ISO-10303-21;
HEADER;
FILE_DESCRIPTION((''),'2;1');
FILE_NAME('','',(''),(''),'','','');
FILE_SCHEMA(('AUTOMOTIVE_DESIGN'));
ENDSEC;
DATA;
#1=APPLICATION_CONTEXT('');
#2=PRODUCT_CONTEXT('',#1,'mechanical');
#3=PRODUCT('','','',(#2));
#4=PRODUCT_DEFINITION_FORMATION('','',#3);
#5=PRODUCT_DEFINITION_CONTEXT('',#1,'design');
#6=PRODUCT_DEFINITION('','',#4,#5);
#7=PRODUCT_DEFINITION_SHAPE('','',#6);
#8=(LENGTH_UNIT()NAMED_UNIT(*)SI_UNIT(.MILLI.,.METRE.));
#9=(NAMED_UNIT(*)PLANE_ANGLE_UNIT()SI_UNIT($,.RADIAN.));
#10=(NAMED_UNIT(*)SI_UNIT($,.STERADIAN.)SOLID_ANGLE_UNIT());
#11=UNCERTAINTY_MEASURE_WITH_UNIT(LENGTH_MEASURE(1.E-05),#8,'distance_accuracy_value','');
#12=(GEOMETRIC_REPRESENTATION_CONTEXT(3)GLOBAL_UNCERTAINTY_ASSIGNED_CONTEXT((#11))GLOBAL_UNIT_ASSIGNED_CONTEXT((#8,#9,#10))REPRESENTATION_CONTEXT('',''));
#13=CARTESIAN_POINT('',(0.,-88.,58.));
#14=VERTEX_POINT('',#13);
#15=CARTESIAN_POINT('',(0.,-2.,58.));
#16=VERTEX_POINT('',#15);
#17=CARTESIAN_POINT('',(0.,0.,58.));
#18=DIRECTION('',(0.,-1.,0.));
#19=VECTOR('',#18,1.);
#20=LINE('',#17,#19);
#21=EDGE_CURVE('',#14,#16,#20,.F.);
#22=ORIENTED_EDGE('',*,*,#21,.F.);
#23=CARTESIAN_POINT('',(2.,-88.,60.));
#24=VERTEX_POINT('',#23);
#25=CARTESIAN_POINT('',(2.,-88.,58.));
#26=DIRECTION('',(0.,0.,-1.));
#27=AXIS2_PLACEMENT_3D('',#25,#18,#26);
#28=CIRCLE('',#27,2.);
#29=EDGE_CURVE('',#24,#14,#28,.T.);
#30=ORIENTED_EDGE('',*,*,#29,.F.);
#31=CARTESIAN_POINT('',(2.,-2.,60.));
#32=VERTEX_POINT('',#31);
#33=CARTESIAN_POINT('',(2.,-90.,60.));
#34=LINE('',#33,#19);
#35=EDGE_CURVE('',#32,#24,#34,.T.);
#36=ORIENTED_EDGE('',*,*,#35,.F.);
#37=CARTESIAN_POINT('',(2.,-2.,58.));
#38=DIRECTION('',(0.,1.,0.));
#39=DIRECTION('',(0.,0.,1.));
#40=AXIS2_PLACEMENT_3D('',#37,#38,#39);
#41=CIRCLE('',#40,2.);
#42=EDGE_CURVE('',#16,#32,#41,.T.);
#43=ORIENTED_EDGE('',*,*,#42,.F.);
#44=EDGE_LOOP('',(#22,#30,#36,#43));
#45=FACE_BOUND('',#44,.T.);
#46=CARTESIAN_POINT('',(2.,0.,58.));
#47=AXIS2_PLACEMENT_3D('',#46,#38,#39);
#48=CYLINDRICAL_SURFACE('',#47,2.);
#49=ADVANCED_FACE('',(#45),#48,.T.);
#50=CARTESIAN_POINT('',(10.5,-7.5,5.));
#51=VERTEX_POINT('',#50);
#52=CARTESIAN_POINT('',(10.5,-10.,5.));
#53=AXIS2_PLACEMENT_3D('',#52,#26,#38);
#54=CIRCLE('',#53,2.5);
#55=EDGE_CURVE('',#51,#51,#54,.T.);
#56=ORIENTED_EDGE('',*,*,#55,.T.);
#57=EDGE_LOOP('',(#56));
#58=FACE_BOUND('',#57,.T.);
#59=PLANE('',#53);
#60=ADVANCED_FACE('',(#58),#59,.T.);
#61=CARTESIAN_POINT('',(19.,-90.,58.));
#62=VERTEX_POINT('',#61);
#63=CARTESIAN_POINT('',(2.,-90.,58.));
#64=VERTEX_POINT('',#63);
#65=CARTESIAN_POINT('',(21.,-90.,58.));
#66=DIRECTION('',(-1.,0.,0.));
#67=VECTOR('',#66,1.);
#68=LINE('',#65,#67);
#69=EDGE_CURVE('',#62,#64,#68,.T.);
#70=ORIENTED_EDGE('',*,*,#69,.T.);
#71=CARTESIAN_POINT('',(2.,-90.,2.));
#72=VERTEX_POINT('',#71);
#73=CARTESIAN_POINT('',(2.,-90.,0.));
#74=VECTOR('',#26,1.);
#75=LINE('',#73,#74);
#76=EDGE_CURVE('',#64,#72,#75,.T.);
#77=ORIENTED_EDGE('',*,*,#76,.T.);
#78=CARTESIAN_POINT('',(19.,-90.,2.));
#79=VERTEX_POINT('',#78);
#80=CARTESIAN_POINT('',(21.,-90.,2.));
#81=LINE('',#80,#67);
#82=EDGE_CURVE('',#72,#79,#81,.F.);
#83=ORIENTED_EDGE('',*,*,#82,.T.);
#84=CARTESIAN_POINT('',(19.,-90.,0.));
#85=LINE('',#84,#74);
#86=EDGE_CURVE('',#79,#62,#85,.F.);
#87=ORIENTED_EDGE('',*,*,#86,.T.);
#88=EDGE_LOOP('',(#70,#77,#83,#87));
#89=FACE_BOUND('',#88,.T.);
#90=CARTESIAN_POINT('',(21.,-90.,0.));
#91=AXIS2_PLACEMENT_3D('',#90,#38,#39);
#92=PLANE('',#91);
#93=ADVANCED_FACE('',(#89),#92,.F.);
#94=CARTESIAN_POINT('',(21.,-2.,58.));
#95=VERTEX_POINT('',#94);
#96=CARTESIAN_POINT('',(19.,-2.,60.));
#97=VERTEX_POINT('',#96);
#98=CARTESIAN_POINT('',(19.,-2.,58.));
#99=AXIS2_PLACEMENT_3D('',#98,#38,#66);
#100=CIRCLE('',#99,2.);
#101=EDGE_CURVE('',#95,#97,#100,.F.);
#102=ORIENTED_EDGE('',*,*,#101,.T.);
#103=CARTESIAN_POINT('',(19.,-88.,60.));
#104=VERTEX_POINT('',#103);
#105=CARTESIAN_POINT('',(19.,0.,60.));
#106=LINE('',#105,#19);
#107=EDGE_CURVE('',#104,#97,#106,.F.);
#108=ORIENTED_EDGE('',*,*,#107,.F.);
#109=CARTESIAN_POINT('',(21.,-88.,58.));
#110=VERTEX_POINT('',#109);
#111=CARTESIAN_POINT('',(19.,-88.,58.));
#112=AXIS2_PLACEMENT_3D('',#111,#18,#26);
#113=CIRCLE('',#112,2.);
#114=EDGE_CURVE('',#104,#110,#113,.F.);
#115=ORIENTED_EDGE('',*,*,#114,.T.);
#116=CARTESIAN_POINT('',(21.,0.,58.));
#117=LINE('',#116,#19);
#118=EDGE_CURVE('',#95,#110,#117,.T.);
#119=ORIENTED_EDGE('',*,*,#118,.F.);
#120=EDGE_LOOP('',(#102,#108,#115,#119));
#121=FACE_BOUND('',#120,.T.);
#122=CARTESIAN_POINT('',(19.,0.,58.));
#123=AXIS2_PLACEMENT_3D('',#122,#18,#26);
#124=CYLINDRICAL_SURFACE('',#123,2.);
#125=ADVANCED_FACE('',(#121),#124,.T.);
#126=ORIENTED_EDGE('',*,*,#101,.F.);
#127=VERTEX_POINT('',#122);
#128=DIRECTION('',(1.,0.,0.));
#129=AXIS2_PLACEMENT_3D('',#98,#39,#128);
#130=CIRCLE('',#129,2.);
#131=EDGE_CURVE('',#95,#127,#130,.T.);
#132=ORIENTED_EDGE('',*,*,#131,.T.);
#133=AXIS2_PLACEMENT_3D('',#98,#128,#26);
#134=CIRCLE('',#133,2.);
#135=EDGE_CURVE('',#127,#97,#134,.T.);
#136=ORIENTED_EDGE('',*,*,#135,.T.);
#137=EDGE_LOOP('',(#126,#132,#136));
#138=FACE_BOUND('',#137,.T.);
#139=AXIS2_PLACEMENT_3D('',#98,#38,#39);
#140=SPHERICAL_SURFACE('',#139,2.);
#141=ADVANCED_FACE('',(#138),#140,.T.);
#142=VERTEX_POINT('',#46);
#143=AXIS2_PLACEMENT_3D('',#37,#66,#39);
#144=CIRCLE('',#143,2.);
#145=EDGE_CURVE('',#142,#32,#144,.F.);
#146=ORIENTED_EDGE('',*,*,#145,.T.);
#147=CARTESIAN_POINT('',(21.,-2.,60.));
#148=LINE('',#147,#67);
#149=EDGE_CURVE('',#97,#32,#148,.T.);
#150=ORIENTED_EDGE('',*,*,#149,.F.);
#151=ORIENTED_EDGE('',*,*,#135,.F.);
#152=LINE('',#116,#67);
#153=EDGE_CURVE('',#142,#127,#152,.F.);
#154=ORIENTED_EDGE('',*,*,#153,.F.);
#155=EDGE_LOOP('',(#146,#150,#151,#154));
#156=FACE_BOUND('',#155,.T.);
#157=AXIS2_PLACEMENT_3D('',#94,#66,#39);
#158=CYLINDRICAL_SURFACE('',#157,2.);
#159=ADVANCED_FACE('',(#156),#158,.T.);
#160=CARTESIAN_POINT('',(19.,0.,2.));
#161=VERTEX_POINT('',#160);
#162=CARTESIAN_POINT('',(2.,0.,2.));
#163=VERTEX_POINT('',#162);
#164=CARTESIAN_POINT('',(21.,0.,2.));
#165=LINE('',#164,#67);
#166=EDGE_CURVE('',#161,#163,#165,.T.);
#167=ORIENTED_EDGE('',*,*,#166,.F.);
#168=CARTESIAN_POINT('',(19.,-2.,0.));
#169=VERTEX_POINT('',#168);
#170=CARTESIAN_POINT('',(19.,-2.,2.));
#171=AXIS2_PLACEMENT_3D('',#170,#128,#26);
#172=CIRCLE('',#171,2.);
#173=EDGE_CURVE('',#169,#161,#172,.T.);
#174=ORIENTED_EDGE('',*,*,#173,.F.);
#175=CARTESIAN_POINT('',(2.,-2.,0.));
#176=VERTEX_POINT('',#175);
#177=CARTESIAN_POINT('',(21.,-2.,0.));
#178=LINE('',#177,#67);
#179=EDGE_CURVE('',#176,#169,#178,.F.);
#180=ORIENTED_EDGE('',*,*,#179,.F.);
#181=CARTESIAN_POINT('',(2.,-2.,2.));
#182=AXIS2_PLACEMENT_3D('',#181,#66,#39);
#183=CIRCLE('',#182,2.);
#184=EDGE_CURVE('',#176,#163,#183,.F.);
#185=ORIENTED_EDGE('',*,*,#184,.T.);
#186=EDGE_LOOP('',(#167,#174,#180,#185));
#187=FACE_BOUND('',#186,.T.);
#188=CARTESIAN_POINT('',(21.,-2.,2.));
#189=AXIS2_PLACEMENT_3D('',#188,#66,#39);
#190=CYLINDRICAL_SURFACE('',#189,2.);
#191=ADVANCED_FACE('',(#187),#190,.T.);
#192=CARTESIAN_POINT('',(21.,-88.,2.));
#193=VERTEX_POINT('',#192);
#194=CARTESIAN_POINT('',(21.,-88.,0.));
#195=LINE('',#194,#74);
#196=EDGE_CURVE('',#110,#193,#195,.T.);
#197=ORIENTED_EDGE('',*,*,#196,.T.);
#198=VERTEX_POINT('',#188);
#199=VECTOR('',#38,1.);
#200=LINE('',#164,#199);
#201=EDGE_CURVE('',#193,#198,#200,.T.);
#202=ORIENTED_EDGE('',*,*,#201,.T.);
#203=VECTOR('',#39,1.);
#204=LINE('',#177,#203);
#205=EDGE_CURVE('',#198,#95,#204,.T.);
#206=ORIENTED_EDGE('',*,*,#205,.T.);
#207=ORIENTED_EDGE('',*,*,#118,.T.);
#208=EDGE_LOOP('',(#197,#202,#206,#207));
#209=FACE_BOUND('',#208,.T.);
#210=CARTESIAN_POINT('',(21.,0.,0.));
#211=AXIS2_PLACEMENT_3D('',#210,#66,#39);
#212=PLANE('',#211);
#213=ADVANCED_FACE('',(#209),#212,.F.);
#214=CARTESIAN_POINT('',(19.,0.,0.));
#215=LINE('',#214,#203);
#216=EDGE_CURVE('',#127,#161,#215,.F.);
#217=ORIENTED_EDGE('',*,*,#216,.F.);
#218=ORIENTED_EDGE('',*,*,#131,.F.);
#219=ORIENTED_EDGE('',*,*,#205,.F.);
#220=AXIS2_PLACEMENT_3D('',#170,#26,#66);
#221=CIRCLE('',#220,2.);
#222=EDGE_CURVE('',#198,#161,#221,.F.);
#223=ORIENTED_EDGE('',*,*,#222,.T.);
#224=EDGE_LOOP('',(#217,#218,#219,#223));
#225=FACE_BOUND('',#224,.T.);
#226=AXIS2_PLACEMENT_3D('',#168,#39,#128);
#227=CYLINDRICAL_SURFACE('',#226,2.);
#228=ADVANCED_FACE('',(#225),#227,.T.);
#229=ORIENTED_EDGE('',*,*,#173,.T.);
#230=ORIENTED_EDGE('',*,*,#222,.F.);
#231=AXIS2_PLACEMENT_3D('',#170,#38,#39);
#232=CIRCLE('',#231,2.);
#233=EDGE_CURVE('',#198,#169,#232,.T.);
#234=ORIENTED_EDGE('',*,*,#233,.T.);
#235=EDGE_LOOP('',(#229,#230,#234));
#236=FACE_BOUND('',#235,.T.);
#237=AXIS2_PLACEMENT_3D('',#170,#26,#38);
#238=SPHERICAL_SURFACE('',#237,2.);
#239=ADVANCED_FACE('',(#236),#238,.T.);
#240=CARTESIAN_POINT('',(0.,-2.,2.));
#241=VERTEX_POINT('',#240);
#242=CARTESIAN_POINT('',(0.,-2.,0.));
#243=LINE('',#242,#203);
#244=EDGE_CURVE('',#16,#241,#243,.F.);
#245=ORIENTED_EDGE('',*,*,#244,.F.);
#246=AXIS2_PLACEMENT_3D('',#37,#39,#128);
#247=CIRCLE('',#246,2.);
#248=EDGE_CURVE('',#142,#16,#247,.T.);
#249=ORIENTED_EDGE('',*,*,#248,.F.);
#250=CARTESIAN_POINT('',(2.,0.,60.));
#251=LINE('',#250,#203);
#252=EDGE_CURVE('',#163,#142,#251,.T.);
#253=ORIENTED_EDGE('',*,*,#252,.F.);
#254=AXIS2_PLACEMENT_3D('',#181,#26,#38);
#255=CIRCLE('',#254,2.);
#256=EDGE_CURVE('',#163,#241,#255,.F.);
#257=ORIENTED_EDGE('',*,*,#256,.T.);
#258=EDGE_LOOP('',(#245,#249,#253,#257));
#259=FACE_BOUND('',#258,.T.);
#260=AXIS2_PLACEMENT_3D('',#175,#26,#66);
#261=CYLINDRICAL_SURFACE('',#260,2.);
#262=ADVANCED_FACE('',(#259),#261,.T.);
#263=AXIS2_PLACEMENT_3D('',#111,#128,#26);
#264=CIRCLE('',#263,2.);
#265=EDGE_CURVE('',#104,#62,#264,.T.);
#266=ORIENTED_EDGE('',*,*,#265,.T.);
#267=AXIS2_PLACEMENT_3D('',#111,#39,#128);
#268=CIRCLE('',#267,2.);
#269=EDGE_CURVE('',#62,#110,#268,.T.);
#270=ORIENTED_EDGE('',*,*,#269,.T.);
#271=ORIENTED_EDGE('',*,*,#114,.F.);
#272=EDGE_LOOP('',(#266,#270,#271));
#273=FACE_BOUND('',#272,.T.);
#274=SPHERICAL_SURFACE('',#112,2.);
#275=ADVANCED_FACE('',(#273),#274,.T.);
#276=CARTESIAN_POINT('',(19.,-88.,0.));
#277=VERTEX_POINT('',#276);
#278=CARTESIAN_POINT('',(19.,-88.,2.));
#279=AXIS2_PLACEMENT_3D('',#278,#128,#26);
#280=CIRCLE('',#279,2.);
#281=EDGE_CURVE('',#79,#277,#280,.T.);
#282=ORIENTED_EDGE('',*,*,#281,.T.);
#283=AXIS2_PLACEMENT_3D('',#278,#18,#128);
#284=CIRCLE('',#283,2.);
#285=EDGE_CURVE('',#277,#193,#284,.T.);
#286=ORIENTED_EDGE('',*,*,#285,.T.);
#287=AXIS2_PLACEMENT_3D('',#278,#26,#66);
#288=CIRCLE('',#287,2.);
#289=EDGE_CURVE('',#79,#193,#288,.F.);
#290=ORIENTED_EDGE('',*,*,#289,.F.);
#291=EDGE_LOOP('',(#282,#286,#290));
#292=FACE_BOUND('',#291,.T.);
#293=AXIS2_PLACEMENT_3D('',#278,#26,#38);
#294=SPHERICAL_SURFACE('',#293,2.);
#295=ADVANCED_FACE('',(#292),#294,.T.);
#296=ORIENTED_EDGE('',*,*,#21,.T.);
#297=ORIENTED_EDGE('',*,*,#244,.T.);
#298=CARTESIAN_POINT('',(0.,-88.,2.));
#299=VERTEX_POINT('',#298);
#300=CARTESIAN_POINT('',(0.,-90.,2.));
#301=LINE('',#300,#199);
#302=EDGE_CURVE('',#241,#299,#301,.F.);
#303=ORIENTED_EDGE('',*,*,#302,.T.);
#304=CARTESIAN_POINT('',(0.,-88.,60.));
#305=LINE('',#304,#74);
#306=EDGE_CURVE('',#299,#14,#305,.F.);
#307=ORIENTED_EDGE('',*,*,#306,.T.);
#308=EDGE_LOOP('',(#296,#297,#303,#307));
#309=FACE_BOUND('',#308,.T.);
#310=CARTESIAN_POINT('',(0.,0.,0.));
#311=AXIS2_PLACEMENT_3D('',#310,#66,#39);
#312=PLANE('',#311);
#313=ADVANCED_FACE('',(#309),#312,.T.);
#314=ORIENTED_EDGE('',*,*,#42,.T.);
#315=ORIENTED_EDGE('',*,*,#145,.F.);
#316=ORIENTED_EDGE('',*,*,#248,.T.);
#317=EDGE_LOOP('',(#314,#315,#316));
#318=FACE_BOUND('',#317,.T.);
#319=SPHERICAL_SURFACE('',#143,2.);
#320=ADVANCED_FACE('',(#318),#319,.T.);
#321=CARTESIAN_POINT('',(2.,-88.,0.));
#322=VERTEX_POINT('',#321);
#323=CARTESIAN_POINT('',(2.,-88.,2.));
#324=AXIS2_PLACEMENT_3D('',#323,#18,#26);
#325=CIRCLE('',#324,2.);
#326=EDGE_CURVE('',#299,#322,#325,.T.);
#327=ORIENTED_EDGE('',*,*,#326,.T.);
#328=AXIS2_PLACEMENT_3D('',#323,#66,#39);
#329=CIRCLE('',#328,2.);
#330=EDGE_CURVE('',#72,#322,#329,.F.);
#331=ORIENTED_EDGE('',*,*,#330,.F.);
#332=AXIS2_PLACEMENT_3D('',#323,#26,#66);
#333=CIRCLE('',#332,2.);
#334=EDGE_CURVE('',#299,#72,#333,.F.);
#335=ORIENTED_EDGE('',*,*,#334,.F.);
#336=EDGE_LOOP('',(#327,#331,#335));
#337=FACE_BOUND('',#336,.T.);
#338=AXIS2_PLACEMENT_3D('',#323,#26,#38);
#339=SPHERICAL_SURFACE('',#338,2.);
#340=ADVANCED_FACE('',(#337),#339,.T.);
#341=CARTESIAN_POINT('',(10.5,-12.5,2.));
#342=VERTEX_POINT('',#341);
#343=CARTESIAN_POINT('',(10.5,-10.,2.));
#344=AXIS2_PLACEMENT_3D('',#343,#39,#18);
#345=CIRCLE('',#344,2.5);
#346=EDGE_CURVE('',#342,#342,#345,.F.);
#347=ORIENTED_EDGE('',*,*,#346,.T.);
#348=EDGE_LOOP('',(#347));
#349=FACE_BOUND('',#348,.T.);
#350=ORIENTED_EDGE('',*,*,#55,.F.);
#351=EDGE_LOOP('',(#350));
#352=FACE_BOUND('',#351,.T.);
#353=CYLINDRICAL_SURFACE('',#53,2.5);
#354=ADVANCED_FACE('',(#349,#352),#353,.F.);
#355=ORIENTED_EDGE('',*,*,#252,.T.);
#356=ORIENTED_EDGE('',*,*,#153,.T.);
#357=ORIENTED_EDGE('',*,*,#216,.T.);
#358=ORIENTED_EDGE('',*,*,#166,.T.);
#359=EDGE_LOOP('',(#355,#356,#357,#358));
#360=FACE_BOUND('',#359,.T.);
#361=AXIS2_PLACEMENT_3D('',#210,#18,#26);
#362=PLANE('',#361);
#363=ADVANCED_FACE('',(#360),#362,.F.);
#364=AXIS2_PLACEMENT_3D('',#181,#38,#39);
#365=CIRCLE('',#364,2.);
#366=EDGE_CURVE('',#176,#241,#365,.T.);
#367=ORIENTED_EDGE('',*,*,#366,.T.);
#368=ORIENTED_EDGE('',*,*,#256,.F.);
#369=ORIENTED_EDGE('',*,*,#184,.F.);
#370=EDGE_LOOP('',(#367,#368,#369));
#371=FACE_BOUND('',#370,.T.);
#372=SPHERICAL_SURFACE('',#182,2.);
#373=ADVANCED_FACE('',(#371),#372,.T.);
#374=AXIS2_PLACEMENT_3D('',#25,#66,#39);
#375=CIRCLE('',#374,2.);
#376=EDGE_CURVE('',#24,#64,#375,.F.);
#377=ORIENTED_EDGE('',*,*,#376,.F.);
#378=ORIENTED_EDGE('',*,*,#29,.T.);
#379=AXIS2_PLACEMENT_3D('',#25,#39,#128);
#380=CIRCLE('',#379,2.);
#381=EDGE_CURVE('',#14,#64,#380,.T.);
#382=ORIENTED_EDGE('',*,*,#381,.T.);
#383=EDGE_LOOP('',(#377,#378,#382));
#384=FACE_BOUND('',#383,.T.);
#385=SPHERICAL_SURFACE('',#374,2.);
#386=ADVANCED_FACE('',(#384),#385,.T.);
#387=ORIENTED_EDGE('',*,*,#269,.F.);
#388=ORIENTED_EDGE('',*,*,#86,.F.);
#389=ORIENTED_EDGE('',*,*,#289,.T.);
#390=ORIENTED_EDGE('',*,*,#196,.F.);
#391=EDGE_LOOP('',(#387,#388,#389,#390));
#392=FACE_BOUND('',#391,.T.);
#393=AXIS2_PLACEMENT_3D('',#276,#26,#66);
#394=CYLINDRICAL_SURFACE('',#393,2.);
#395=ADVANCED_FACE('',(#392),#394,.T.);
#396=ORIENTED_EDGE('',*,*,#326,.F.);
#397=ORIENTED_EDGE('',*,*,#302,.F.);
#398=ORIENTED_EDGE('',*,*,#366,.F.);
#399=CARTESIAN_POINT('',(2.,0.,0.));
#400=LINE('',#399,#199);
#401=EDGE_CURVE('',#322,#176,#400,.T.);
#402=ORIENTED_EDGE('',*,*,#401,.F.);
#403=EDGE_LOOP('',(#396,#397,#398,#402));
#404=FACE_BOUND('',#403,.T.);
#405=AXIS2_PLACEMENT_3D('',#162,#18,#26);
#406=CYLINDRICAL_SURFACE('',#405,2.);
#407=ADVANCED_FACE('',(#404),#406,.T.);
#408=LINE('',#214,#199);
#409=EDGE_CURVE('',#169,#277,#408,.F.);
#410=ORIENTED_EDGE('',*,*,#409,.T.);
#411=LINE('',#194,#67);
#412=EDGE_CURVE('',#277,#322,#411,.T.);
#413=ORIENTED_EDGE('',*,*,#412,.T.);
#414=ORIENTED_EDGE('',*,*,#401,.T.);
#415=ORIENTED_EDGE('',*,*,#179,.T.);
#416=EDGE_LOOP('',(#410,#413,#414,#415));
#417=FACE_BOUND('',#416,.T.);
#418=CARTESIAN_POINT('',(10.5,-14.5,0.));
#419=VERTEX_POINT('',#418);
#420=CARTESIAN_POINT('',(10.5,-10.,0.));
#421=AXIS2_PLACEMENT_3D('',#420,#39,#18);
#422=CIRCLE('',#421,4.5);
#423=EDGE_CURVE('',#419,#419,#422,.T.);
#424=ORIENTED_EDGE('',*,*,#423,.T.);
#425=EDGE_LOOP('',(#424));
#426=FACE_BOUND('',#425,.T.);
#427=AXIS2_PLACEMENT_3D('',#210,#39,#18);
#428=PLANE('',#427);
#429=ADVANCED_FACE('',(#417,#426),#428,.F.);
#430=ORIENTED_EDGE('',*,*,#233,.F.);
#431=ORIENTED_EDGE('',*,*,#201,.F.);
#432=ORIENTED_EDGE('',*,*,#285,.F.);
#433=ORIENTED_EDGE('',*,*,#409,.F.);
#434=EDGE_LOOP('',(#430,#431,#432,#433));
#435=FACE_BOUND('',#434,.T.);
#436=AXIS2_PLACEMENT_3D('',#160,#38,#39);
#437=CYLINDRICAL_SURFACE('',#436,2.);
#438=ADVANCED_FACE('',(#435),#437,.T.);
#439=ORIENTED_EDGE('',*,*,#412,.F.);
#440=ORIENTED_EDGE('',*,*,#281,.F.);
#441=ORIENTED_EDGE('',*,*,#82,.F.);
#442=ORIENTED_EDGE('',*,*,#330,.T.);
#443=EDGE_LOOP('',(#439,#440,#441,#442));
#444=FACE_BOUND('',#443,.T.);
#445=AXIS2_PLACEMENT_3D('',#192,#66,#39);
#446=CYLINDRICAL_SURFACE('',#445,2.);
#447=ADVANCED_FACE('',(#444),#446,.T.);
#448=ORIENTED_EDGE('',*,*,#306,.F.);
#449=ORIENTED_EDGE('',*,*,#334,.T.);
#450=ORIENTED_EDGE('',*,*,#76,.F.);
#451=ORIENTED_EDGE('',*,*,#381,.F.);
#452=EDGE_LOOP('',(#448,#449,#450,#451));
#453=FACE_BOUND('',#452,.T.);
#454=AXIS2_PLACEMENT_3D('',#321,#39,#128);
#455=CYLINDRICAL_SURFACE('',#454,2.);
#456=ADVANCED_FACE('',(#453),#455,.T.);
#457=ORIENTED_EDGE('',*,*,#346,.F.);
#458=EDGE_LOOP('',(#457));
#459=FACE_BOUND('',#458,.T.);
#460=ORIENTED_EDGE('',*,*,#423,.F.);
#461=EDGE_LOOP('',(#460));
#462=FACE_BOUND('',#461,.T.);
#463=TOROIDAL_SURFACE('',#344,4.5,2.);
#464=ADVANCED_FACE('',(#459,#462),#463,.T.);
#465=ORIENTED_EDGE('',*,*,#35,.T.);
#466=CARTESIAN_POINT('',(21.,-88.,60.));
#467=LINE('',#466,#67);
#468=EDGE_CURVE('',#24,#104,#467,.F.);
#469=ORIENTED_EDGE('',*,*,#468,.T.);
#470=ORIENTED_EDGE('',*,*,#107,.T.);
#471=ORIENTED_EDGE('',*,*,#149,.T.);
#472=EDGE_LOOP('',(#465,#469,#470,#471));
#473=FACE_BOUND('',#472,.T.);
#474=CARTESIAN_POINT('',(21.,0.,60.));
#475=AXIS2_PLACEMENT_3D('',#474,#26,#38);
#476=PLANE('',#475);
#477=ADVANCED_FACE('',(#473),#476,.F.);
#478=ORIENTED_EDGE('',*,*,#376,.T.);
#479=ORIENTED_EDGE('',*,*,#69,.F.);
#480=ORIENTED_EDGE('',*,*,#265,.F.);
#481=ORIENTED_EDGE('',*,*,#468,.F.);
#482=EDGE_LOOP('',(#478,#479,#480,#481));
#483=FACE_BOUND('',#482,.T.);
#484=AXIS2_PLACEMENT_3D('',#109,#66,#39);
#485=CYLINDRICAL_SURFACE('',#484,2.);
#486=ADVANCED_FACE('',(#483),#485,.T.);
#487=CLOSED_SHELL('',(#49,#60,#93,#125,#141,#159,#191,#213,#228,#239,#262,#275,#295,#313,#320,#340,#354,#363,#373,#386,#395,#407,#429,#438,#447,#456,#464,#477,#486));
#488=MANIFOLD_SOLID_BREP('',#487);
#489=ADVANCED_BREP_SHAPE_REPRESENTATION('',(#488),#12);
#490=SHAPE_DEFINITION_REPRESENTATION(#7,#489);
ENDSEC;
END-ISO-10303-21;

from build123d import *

# Parameters (mm, degrees)
SKETCH_1_W          = 60
SKETCH_1_H          = 90
EXTRUDE_1_DEPTH     = 21
SKETCH_2_R          = 2.5
CUT_EXTRUDE_1_DEPTH = 5
FILLET_2_R          = 2


with BuildPart() as part:
    # 草图1 → 凸台-拉伸1 (new body)
    with BuildSketch(Plane(origin=(0, 0, 0), x_dir=(0, 0, -1), z_dir=(1, 0, 0))):
        with Locations((-30, -45)):
            Rectangle(SKETCH_1_W, SKETCH_1_H)
    extrude(amount=EXTRUDE_1_DEPTH)

    # 草图2 → 切除-拉伸1 (cut)
    with BuildSketch(Plane(origin=(0, 0, 0), x_dir=(-1, 0, 0), z_dir=(0, 0, -1))):
        with Locations(Location((-10.5, -10, 0), (0, 0, 90))):
            Circle(SKETCH_2_R)
    extrude(amount=-CUT_EXTRUDE_1_DEPTH, mode=Mode.SUBTRACT)

    # 圆角2
    fillet_2_edges = [part.edges().sort_by_distance(p)[0] for p in [
        (21, -45, 60),
        (10.5, -12.5, 0),
        (21, -90, 30),
        (21, -45, 0),
        (0, -90, 30),
        (0, -45, 60),
        (0, 0, 30),
        (0, -45, 0),
        (10.5, -90, 0),
        (10.5, -90, 60),
        (10.5, 0, 60),
        (10.5, 0, 0),
        (21, 0, 30),
    ]]
    fillet(fillet_2_edges, radius=FILLET_2_R)


solid = part.part
